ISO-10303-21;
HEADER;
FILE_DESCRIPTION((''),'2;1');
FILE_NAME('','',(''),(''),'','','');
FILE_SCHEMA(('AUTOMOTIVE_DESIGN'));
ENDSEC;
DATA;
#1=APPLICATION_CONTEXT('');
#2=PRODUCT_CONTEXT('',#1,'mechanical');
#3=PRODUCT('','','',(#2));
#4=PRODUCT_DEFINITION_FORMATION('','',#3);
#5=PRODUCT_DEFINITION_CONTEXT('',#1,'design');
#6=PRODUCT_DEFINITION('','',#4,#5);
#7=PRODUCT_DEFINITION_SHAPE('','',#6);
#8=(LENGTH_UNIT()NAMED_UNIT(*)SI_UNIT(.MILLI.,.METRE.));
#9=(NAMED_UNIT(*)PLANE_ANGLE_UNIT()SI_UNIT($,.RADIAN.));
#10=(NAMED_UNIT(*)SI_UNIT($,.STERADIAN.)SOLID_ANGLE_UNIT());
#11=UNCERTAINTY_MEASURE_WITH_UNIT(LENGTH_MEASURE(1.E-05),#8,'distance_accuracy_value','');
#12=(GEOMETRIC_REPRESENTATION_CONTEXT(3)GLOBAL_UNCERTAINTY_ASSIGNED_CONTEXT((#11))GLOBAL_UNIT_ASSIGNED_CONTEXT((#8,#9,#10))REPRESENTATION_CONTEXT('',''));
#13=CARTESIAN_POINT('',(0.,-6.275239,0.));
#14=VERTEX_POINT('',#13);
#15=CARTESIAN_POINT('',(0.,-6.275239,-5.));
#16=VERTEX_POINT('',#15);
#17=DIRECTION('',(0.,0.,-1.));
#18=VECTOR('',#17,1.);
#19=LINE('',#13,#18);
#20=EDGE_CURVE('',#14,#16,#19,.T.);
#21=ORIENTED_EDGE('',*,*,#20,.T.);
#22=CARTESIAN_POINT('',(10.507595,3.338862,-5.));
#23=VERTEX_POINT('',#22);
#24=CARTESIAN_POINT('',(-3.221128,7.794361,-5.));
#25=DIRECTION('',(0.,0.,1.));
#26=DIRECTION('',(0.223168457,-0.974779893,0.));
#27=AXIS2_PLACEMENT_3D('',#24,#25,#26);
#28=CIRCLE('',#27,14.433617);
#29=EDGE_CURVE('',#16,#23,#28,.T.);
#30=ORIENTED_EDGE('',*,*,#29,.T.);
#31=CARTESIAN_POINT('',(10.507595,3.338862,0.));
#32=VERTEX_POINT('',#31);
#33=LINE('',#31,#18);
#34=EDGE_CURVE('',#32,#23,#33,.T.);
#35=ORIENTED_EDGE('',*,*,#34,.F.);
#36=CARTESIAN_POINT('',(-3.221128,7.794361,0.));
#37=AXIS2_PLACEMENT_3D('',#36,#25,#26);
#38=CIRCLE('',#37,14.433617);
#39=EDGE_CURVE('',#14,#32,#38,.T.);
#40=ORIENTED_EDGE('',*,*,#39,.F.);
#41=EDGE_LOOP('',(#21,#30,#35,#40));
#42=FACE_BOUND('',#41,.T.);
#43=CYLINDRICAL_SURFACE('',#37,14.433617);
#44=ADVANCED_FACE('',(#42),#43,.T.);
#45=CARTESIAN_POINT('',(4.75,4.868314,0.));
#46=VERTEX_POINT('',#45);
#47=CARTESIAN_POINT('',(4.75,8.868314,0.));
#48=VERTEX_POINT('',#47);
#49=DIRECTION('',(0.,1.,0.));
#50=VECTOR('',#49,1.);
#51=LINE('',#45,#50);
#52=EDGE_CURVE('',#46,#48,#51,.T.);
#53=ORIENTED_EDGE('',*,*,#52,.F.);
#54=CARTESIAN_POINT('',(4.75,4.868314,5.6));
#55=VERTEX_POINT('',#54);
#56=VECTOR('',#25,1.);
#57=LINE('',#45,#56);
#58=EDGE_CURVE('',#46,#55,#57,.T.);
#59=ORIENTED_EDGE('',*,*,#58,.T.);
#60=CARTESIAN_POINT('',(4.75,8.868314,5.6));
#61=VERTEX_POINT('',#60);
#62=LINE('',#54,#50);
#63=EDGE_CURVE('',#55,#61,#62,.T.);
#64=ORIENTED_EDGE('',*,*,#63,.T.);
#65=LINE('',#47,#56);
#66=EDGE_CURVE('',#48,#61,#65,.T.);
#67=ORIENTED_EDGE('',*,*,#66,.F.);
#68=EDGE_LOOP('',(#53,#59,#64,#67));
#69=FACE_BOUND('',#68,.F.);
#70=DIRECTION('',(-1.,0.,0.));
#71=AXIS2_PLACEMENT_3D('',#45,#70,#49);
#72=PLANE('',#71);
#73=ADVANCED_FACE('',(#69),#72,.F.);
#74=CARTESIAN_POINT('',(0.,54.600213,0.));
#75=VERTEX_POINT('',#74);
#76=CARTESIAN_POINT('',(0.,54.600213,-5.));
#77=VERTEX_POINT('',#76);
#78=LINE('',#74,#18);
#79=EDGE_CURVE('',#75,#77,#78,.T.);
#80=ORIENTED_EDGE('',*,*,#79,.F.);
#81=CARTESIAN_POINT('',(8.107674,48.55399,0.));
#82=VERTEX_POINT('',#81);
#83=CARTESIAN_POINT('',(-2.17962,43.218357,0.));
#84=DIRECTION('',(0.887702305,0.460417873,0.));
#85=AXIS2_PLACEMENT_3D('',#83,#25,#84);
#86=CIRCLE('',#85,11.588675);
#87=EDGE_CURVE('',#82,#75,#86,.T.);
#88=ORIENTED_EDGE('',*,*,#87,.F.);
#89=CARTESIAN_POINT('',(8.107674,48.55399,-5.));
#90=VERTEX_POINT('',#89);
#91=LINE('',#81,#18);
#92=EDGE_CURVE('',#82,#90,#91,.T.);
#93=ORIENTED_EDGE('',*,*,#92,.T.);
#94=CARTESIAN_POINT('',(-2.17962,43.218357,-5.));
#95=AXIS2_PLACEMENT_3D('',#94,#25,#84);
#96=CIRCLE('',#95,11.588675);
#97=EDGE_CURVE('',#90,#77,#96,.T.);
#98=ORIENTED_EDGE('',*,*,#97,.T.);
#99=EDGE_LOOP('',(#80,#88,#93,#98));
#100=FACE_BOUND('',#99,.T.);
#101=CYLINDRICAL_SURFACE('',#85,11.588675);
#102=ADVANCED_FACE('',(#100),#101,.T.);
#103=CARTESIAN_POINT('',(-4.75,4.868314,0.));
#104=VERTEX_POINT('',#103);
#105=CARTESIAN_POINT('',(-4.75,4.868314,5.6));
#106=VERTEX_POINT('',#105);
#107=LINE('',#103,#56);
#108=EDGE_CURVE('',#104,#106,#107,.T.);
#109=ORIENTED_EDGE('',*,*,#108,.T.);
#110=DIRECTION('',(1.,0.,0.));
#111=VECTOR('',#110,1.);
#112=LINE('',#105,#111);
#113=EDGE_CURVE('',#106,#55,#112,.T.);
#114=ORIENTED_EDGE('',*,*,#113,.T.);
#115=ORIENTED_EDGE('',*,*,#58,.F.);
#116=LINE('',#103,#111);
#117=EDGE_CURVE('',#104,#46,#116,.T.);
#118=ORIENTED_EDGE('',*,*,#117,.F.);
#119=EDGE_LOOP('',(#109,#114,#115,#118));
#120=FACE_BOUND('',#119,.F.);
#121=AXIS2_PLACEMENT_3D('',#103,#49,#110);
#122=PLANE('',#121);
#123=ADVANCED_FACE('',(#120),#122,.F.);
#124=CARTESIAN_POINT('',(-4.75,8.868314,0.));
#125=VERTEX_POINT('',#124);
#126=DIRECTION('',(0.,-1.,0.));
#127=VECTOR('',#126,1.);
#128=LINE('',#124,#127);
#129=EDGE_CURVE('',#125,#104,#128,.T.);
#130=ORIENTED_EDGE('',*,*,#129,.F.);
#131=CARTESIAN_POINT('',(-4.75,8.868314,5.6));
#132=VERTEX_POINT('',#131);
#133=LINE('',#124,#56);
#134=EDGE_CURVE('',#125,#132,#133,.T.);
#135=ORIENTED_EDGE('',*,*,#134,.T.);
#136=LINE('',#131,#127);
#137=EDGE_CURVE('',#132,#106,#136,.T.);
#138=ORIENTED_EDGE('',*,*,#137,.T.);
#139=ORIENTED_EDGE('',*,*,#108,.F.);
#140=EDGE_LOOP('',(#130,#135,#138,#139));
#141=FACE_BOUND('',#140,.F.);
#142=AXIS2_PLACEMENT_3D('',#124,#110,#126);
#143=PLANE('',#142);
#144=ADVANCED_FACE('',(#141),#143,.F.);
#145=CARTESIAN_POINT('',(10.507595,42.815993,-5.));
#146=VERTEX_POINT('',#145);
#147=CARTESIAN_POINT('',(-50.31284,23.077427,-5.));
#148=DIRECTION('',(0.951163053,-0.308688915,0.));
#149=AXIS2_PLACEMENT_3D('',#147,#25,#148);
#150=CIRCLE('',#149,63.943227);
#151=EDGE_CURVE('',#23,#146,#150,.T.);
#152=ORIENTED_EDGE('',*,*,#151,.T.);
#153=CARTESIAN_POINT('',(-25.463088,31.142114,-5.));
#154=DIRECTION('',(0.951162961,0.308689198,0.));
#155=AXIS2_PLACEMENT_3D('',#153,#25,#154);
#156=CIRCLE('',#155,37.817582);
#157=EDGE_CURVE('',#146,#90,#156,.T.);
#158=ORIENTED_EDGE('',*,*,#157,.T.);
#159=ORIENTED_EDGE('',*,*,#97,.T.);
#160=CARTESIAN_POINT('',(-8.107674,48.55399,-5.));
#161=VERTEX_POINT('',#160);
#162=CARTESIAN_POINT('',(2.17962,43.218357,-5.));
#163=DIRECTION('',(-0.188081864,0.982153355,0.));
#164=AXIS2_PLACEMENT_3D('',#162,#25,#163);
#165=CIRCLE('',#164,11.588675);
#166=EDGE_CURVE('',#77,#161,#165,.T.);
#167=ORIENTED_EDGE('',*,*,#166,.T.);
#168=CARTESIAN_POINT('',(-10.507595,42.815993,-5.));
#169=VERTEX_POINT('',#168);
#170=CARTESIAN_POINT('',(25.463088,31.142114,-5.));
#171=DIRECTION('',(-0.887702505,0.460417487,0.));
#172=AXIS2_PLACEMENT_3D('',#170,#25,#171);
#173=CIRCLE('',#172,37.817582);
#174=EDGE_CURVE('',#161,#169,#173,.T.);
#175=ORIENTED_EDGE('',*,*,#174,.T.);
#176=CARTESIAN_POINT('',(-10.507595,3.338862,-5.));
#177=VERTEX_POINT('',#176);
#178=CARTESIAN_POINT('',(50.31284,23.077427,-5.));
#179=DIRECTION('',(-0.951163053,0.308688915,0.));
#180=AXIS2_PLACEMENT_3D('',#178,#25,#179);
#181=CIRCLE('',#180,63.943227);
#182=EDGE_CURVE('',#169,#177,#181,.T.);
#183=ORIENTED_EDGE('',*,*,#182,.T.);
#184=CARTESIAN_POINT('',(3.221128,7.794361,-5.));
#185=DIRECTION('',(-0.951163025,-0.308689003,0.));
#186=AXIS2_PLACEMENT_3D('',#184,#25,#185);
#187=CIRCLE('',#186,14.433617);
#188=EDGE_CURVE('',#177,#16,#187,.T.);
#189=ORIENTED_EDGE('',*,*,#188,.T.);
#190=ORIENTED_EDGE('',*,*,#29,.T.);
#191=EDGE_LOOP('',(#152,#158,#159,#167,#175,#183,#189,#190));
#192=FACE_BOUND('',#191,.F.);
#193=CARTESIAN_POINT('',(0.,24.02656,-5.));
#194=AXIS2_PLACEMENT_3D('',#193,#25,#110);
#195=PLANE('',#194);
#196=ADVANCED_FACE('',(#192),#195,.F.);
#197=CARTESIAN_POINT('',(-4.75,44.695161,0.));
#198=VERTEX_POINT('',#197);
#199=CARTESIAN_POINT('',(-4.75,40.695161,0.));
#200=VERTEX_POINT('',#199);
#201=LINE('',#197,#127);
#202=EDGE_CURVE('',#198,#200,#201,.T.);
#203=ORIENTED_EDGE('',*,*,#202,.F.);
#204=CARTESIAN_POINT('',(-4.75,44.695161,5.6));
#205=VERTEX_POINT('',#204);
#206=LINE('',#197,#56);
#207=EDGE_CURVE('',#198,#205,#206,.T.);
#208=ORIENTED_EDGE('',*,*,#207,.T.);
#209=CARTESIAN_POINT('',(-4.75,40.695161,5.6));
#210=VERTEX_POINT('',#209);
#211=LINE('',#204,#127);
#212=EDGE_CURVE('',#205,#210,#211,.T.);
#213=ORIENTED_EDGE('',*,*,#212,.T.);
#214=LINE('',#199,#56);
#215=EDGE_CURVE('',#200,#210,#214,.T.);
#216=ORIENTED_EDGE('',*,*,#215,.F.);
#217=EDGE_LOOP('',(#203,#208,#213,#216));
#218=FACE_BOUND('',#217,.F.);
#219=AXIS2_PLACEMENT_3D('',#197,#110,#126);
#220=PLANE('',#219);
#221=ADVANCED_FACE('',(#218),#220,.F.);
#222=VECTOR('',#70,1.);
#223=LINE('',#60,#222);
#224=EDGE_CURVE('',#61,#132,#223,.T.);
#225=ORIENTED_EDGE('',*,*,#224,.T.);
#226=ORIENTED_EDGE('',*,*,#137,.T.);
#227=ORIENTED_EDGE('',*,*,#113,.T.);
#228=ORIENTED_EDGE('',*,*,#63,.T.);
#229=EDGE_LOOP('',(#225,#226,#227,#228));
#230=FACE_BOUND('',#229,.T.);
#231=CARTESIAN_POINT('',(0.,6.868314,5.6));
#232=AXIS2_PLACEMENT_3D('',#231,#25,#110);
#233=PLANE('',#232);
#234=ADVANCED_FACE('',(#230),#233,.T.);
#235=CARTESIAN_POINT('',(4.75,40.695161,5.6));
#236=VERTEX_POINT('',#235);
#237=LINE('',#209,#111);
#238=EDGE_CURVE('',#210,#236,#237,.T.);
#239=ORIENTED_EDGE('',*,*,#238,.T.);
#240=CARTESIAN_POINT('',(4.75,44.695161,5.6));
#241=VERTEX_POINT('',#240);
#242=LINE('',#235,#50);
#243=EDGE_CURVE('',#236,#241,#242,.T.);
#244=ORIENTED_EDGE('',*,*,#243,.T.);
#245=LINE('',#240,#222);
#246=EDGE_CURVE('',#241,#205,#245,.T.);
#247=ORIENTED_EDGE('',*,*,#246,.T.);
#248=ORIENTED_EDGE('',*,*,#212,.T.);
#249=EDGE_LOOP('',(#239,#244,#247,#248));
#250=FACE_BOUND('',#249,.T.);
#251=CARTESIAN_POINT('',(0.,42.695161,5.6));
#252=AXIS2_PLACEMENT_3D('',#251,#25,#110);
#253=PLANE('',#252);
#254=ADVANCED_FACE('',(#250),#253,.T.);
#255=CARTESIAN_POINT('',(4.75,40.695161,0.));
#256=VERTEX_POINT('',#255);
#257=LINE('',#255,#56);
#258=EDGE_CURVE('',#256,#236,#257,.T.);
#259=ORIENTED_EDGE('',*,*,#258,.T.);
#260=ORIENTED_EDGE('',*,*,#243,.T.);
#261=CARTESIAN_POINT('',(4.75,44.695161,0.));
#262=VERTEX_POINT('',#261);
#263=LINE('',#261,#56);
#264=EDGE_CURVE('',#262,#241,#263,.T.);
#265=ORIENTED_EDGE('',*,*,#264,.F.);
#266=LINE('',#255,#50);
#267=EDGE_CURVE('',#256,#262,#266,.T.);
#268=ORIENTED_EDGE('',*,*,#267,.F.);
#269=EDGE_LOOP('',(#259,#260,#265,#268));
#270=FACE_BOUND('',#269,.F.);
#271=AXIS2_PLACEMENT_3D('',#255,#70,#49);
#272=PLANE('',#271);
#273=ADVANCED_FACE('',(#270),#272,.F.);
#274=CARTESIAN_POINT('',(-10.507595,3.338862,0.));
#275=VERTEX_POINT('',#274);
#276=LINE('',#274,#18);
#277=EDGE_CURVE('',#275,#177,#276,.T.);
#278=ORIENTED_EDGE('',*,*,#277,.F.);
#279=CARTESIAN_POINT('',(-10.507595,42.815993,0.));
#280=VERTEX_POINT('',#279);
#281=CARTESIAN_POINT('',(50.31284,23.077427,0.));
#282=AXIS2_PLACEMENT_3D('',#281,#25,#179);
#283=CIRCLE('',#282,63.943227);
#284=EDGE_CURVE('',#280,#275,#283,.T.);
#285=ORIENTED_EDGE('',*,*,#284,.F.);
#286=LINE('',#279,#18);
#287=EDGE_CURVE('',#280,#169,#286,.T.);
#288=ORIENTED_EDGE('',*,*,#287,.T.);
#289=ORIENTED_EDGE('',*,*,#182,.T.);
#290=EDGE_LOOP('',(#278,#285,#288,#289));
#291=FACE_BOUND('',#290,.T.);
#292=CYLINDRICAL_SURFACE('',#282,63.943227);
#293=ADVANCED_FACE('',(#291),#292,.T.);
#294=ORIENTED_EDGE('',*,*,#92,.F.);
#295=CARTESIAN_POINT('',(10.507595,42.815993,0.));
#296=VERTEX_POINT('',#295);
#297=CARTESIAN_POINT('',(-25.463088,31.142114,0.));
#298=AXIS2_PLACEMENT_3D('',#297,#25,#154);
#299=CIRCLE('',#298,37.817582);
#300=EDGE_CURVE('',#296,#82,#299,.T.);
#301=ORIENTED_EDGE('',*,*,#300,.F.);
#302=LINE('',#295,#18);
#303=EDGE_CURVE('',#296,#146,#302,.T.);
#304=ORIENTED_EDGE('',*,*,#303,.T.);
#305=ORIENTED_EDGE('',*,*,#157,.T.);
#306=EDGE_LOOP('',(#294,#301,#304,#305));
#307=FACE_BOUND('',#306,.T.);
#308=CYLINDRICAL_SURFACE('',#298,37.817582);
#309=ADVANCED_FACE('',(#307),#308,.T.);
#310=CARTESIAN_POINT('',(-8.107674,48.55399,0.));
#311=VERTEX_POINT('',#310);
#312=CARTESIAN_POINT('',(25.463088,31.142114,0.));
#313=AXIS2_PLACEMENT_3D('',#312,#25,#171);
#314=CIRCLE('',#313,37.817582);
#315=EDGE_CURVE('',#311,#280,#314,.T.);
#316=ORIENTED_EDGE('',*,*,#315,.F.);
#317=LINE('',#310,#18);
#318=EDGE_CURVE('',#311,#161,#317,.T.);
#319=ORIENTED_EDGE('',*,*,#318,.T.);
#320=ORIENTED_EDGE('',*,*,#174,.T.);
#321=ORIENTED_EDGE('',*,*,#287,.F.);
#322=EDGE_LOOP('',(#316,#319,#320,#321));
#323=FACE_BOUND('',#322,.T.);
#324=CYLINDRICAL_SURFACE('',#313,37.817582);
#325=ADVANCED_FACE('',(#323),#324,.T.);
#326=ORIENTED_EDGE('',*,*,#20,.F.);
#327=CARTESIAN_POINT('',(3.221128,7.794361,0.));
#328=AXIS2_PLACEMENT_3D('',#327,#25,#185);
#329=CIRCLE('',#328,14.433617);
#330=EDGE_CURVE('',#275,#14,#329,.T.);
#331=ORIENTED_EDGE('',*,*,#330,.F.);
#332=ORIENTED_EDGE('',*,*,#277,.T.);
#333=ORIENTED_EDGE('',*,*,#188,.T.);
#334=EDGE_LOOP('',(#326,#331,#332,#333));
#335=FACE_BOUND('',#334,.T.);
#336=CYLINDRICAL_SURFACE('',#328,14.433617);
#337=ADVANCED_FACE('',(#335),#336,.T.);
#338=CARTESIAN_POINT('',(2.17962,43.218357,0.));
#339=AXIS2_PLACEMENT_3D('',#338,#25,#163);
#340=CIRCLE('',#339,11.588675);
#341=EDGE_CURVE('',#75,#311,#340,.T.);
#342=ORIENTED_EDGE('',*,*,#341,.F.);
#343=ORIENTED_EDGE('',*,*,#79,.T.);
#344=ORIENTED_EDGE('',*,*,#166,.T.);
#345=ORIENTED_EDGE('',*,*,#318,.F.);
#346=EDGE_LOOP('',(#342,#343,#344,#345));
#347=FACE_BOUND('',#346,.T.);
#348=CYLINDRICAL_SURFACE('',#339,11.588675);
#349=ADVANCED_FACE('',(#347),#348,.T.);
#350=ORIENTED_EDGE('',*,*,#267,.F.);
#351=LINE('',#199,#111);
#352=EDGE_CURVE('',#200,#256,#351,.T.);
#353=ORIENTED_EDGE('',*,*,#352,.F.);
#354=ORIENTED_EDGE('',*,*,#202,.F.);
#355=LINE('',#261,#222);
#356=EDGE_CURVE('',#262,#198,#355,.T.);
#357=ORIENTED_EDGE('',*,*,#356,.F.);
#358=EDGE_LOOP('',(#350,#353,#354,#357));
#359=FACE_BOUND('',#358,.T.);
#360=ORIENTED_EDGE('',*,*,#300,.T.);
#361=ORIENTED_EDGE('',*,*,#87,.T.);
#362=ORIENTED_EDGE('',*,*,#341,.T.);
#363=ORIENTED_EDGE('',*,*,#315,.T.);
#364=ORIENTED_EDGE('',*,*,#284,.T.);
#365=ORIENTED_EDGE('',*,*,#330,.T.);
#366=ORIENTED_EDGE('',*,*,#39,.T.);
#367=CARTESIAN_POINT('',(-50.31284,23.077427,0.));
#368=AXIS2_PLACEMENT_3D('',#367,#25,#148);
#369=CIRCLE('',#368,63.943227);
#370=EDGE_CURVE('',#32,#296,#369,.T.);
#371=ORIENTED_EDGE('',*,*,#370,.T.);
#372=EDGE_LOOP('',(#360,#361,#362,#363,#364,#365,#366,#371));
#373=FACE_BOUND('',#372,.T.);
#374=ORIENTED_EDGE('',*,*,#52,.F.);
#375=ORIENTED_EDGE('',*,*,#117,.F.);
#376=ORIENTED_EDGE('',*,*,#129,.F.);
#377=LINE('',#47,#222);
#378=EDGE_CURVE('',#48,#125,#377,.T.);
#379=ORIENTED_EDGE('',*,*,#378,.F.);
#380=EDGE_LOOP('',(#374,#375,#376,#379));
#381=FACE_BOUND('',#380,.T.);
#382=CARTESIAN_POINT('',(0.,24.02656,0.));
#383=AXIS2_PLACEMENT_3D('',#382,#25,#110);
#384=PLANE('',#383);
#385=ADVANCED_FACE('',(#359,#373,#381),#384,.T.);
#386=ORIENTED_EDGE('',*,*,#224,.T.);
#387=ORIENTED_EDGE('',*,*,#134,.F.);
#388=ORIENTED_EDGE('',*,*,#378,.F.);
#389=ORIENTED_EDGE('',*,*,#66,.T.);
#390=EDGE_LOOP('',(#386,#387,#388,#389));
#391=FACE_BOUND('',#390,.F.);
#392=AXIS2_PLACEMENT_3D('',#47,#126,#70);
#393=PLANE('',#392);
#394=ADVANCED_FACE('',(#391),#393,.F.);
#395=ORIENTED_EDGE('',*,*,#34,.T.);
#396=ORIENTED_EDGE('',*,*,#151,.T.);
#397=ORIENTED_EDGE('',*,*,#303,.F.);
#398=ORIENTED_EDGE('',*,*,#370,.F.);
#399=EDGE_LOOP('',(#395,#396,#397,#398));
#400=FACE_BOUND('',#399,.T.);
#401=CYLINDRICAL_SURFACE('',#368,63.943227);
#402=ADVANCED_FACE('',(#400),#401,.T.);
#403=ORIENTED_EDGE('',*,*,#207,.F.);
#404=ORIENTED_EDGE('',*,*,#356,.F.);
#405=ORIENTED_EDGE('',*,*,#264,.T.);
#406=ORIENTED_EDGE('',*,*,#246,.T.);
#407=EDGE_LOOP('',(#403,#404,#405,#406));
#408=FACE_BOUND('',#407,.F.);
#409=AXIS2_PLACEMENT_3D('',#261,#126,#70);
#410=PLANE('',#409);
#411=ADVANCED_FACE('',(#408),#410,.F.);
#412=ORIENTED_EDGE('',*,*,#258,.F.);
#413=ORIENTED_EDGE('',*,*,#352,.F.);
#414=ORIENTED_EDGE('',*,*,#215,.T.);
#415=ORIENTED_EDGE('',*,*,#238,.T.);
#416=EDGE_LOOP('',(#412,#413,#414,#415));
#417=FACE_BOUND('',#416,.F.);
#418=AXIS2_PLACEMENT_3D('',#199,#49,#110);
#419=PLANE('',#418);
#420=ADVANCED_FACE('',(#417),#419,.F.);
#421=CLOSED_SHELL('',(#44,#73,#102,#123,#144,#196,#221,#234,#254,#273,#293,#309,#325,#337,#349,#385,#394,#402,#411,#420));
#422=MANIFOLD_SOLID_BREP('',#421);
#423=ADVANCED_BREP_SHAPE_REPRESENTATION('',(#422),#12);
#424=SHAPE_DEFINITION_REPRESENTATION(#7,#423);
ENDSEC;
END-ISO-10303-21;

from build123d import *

# Parameters (mm, degrees)
F1_DEPTH = 5
F3_DEPTH = 5.6


with BuildPart() as f1:
    # F0 (on Top) → F1 (new body)
    with BuildSketch(Plane.XY):
        with BuildLine():
            ThreePointArc((10.507595, 42.815993), (9.425797, 45.734413), (8.107674, 48.55399))
            ThreePointArc((8.107674, 48.55399), (4.748236, 52.508255), (0, 54.600213))
            ThreePointArc((0, 54.600213), (-4.748236, 52.508255), (-8.107674, 48.55399))
            ThreePointArc((-8.107674, 48.55399), (-9.425797, 45.734413), (-10.507595, 42.815993))
            ThreePointArc((-10.507595, 42.815993), (-13.630387, 23.077428), (-10.507595, 3.338862))
            ThreePointArc((-10.507595, 3.338862), (-6.522182, -2.854452), (0, -6.275239))
            ThreePointArc((0, -6.275239), (6.522182, -2.854452), (10.507595, 3.338862))
            ThreePointArc((10.507595, 3.338862), (13.630387, 23.077428), (10.507595, 42.815993))
        make_face()
    extrude(amount=-F1_DEPTH)

    # F2 (on Top) → F3 (join)
    with BuildSketch(Plane.XY):
        Polygon((4.75, 8.868314), (0, 8.868314), (-4.75, 8.868314), (-4.75, 4.868314), (0, 4.868314), (4.75, 4.868314), align=None)
        Polygon((4.75, 44.695161), (0, 44.695161), (-4.75, 44.695161), (-4.75, 40.695161), (0, 40.695161), (4.75, 40.695161), align=None)
    extrude(amount=F3_DEPTH)


solid = f1.part
